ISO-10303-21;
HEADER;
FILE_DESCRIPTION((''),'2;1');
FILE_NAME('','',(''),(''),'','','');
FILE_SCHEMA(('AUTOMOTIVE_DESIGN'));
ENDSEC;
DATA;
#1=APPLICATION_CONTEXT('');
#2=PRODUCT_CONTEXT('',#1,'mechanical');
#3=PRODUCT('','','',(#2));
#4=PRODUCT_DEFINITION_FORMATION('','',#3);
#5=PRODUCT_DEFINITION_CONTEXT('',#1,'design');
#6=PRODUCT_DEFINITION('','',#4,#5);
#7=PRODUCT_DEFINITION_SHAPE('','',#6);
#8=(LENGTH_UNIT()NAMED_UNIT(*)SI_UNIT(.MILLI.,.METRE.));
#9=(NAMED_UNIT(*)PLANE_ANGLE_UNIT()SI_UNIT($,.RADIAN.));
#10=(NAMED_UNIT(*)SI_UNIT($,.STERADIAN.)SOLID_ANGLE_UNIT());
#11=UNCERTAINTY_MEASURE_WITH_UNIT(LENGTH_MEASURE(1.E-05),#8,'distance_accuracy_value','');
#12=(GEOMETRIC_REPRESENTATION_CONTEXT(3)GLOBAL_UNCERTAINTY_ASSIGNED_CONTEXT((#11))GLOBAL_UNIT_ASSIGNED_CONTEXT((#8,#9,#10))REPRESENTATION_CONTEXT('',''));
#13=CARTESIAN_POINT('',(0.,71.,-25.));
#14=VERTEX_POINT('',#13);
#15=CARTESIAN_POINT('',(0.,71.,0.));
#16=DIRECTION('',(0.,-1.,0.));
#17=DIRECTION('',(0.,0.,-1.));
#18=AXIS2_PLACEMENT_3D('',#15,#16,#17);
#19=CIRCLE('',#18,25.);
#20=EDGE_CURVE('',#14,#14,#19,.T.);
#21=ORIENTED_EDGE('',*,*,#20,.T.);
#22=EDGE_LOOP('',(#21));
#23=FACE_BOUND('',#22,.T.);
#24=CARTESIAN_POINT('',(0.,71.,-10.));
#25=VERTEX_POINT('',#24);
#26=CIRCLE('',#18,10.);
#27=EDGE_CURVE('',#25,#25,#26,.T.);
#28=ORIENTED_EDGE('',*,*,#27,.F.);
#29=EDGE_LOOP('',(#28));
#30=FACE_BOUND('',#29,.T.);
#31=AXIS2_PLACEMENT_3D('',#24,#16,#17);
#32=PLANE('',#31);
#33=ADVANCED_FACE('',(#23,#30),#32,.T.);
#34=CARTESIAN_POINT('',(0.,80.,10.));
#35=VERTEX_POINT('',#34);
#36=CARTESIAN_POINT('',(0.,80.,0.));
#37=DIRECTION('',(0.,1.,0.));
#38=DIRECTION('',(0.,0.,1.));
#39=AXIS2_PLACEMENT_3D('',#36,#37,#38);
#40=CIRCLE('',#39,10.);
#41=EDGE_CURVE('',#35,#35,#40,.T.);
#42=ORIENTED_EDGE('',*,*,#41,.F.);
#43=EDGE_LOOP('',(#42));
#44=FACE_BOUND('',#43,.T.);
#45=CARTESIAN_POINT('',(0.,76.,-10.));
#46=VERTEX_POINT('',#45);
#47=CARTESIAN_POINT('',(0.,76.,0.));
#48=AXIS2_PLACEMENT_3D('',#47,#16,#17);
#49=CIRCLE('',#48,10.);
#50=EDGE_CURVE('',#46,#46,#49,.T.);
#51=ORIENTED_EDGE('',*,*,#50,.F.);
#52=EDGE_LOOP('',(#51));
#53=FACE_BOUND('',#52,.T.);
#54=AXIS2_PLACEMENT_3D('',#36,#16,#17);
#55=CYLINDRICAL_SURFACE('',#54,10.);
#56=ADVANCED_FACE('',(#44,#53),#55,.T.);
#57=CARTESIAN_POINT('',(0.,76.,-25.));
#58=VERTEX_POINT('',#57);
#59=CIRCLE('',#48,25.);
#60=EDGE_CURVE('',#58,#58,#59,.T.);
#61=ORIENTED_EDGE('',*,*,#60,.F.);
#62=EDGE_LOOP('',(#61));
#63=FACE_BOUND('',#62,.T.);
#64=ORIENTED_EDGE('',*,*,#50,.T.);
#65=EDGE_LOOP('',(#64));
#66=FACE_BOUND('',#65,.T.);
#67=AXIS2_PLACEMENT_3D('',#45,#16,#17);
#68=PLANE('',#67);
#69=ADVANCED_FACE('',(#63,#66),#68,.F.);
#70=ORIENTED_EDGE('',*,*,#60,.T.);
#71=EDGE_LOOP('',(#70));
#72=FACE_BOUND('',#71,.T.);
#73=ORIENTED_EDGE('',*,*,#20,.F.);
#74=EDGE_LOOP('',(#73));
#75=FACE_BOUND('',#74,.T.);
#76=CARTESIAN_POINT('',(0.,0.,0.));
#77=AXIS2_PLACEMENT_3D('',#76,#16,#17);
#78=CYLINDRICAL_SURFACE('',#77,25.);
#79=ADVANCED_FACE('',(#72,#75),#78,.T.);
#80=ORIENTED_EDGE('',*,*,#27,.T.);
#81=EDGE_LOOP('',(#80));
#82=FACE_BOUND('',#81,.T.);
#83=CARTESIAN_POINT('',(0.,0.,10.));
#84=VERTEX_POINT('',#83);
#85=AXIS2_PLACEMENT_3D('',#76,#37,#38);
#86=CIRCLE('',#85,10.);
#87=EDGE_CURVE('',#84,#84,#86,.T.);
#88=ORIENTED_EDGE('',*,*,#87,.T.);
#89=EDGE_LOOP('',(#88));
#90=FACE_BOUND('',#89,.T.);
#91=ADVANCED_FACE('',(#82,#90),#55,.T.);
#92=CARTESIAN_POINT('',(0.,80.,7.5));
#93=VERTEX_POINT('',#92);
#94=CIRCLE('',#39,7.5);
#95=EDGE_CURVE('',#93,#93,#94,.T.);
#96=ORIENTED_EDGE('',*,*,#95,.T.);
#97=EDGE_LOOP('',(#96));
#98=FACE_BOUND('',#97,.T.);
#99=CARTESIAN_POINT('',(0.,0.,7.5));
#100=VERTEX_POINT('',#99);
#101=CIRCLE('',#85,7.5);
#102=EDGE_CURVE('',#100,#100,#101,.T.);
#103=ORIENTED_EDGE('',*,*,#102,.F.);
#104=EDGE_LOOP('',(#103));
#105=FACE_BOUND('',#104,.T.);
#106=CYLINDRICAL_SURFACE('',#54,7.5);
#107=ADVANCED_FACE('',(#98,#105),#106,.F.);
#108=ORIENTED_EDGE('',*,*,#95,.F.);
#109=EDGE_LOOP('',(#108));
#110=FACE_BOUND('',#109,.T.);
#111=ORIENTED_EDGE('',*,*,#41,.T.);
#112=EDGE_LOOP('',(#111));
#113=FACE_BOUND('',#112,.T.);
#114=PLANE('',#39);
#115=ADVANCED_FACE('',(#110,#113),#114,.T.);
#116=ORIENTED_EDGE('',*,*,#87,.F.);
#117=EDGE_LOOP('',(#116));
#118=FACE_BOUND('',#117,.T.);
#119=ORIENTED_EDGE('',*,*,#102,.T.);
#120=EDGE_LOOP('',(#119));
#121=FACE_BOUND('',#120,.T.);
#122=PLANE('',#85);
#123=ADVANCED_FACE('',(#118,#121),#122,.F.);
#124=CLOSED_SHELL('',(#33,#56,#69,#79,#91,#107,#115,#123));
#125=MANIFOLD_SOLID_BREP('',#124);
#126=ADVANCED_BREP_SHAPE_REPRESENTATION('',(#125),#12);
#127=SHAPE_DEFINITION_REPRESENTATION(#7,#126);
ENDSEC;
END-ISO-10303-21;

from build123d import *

# Parameters (mm, degrees)
SKETCH1_R           = 10
SKETCH1_R_2         = 7.5
BOSS_EXTRUDE1_DEPTH = 80
SKETCH2_W           = 15
SKETCH2_H           = 5


with BuildPart() as part:
    # Sketch1 → Boss-Extrude1 (new body)
    with BuildSketch(Plane(origin=(0, 0, 0), x_dir=(1, 0, 0), z_dir=(0, 1, 0))):
        with Locations(Location((0, 0, 0), (0, 0, 270))):
            Circle(SKETCH1_R)
        with Locations(Location((0, 0, 0), (0, 0, 270))):
            Circle(SKETCH1_R_2, mode=Mode.SUBTRACT)
    extrude(amount=BOSS_EXTRUDE1_DEPTH)

    # Sketch2 → Revolve1 (revolve)
    with BuildSketch(Plane(origin=(0, 0, 0), x_dir=(0, 0, -1), z_dir=(1, 0, 0))):
        with Locations((17.5, 73.5)):
            Rectangle(SKETCH2_W, SKETCH2_H)
    revolve(axis=Axis((0, 0, 0), (0, 1, 0)))


solid = part.part
